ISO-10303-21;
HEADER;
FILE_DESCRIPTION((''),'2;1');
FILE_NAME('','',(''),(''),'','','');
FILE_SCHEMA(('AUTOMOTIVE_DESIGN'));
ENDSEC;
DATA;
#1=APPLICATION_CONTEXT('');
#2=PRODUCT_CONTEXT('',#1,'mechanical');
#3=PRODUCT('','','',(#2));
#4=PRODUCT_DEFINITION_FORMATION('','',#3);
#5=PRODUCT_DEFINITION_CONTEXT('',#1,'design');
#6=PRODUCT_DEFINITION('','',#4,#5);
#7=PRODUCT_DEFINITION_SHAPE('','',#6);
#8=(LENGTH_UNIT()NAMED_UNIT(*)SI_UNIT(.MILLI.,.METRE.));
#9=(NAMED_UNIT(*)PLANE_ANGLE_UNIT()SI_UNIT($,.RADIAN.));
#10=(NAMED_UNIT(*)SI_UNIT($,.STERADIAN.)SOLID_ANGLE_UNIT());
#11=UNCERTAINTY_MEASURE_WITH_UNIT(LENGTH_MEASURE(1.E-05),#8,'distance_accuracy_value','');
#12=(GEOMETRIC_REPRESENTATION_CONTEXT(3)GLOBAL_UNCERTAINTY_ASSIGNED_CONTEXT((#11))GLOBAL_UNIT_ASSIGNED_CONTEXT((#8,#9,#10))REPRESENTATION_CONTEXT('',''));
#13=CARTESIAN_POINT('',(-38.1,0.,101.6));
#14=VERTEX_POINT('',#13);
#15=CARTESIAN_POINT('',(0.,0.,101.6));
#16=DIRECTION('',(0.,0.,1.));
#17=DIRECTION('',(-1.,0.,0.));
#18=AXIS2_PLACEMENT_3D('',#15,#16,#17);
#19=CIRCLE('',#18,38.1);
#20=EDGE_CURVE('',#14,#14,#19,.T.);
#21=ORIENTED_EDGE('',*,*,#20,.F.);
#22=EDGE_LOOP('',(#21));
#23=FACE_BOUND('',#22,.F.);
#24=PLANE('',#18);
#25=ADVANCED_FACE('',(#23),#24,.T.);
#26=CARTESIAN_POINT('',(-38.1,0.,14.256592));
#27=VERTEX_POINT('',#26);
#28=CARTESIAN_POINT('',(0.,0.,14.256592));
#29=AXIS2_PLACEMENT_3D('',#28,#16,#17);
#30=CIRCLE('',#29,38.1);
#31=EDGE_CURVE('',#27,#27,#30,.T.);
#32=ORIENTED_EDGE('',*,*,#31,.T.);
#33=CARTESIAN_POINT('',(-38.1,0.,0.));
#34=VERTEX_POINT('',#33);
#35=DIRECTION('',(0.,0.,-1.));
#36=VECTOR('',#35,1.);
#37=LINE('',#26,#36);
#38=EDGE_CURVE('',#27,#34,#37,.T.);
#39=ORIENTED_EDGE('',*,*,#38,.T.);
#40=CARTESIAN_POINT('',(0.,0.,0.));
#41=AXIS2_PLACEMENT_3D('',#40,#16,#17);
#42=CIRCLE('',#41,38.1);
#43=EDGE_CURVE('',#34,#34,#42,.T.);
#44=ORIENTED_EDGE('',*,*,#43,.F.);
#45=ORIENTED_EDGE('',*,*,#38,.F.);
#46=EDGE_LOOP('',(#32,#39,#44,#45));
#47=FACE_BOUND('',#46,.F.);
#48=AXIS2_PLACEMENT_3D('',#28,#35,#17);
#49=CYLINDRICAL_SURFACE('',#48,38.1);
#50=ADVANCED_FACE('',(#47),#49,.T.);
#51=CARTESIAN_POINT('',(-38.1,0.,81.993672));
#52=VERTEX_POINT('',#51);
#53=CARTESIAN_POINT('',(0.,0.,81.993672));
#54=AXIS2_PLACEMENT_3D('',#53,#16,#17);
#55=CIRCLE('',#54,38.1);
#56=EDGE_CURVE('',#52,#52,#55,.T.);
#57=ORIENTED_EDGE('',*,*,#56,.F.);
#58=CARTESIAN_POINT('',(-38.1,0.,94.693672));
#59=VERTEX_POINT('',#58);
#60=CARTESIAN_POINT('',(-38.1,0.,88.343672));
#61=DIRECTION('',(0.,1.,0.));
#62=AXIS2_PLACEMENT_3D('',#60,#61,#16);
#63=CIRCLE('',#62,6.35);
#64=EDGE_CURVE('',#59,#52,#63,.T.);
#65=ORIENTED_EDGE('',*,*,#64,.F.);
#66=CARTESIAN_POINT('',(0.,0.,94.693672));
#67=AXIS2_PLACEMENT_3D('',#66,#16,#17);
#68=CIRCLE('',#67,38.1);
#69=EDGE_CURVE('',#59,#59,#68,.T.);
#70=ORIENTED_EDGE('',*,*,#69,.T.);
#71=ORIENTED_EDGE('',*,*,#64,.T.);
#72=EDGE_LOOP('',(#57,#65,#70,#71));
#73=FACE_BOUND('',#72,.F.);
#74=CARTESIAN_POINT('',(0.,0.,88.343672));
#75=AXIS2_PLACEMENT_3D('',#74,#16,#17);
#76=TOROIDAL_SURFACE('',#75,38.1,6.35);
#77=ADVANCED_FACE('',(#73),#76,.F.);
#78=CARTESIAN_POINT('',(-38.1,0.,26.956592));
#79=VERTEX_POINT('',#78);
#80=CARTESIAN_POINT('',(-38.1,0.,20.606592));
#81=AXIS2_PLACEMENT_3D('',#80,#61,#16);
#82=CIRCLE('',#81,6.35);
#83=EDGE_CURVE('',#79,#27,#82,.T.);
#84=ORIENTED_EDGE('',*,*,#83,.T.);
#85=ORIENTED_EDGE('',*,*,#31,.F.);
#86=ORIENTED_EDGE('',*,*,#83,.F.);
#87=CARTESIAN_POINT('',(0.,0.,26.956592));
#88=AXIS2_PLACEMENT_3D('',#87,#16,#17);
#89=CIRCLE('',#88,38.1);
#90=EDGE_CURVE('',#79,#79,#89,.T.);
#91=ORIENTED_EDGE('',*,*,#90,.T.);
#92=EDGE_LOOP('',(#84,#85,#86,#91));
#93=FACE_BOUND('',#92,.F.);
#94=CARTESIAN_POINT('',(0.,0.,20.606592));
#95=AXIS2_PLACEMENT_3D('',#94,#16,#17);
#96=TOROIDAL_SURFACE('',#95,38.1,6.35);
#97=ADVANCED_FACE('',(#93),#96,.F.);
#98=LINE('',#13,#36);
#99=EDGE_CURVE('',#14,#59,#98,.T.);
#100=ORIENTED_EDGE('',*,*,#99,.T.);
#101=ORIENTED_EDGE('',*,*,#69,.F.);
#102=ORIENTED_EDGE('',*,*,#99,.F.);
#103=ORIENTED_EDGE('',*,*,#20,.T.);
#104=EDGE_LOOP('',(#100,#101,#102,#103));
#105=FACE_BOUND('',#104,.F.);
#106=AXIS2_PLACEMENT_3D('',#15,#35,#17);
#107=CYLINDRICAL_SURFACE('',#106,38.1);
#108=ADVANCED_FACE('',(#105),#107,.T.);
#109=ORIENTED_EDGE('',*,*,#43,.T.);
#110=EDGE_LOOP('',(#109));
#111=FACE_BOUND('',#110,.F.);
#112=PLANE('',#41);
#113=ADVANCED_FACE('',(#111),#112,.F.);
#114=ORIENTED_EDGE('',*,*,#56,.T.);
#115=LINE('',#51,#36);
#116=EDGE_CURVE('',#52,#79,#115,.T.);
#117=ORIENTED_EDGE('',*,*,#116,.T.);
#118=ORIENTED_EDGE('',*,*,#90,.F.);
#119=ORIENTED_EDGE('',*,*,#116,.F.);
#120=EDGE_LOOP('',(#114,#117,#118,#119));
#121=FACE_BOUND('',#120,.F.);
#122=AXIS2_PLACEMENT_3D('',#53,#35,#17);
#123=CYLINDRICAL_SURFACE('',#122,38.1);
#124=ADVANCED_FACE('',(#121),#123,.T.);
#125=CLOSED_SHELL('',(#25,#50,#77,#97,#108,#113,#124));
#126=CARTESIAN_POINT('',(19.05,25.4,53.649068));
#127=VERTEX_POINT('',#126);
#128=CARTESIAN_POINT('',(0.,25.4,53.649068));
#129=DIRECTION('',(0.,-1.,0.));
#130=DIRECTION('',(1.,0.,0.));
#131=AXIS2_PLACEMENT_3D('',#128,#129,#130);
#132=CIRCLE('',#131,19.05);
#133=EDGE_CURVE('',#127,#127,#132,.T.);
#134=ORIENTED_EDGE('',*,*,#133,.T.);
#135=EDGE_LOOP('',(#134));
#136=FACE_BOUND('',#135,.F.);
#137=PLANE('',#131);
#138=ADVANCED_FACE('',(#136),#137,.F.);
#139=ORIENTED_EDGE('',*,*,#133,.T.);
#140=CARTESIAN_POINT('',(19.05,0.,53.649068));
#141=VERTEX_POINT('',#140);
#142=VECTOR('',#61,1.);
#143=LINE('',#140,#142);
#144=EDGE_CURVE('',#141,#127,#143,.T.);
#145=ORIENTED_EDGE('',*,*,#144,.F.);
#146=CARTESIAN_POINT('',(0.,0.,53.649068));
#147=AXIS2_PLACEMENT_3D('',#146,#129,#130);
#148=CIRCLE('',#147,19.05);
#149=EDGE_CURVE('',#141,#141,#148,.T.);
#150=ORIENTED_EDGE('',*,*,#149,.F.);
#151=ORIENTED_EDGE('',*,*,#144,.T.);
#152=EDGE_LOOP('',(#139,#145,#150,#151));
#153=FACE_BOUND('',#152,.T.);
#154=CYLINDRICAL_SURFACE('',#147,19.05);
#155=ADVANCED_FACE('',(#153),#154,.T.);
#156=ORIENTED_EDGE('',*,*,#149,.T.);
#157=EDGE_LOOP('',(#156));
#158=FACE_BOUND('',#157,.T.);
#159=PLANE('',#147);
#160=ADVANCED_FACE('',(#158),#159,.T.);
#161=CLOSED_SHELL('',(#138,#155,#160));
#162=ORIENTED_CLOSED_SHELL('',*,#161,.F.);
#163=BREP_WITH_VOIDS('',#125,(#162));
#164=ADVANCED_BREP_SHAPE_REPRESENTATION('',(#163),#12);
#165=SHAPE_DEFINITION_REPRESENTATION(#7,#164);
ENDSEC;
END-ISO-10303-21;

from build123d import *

# Parameters (mm, degrees)
F2_R     = 19.05
F3_DEPTH = 25.4


with BuildPart() as f1:
    # F0 (on Front) → F1 (revolve)
    with BuildSketch(Plane.XZ):
        with BuildLine():
            Line((-38.1, 0), (0, 0))
            Line((0, 0), (0, 101.6))
            Line((0, 101.6), (-38.1, 101.6))
            Line((-38.1, 101.6), (-38.1, 94.693672))
            ThreePointArc((-38.1, 94.693672), (-31.75, 88.343672), (-38.1, 81.993672))
            Line((-38.1, 81.993672), (-38.1, 26.956592))
            ThreePointArc((-38.1, 26.956592), (-31.75, 20.606592), (-38.1, 14.256592))
            Line((-38.1, 14.256592), (-38.1, 0))
        make_face()
    revolve(axis=Axis((0, 0, 50.8), (0, 0, 1)))

    # F2 (on Front) → F3 (cut)
    with BuildSketch(Plane.XZ):
        with Locations((0, 53.649068)):
            Circle(F2_R)
    extrude(amount=-F3_DEPTH, mode=Mode.SUBTRACT)


solid = f1.part
